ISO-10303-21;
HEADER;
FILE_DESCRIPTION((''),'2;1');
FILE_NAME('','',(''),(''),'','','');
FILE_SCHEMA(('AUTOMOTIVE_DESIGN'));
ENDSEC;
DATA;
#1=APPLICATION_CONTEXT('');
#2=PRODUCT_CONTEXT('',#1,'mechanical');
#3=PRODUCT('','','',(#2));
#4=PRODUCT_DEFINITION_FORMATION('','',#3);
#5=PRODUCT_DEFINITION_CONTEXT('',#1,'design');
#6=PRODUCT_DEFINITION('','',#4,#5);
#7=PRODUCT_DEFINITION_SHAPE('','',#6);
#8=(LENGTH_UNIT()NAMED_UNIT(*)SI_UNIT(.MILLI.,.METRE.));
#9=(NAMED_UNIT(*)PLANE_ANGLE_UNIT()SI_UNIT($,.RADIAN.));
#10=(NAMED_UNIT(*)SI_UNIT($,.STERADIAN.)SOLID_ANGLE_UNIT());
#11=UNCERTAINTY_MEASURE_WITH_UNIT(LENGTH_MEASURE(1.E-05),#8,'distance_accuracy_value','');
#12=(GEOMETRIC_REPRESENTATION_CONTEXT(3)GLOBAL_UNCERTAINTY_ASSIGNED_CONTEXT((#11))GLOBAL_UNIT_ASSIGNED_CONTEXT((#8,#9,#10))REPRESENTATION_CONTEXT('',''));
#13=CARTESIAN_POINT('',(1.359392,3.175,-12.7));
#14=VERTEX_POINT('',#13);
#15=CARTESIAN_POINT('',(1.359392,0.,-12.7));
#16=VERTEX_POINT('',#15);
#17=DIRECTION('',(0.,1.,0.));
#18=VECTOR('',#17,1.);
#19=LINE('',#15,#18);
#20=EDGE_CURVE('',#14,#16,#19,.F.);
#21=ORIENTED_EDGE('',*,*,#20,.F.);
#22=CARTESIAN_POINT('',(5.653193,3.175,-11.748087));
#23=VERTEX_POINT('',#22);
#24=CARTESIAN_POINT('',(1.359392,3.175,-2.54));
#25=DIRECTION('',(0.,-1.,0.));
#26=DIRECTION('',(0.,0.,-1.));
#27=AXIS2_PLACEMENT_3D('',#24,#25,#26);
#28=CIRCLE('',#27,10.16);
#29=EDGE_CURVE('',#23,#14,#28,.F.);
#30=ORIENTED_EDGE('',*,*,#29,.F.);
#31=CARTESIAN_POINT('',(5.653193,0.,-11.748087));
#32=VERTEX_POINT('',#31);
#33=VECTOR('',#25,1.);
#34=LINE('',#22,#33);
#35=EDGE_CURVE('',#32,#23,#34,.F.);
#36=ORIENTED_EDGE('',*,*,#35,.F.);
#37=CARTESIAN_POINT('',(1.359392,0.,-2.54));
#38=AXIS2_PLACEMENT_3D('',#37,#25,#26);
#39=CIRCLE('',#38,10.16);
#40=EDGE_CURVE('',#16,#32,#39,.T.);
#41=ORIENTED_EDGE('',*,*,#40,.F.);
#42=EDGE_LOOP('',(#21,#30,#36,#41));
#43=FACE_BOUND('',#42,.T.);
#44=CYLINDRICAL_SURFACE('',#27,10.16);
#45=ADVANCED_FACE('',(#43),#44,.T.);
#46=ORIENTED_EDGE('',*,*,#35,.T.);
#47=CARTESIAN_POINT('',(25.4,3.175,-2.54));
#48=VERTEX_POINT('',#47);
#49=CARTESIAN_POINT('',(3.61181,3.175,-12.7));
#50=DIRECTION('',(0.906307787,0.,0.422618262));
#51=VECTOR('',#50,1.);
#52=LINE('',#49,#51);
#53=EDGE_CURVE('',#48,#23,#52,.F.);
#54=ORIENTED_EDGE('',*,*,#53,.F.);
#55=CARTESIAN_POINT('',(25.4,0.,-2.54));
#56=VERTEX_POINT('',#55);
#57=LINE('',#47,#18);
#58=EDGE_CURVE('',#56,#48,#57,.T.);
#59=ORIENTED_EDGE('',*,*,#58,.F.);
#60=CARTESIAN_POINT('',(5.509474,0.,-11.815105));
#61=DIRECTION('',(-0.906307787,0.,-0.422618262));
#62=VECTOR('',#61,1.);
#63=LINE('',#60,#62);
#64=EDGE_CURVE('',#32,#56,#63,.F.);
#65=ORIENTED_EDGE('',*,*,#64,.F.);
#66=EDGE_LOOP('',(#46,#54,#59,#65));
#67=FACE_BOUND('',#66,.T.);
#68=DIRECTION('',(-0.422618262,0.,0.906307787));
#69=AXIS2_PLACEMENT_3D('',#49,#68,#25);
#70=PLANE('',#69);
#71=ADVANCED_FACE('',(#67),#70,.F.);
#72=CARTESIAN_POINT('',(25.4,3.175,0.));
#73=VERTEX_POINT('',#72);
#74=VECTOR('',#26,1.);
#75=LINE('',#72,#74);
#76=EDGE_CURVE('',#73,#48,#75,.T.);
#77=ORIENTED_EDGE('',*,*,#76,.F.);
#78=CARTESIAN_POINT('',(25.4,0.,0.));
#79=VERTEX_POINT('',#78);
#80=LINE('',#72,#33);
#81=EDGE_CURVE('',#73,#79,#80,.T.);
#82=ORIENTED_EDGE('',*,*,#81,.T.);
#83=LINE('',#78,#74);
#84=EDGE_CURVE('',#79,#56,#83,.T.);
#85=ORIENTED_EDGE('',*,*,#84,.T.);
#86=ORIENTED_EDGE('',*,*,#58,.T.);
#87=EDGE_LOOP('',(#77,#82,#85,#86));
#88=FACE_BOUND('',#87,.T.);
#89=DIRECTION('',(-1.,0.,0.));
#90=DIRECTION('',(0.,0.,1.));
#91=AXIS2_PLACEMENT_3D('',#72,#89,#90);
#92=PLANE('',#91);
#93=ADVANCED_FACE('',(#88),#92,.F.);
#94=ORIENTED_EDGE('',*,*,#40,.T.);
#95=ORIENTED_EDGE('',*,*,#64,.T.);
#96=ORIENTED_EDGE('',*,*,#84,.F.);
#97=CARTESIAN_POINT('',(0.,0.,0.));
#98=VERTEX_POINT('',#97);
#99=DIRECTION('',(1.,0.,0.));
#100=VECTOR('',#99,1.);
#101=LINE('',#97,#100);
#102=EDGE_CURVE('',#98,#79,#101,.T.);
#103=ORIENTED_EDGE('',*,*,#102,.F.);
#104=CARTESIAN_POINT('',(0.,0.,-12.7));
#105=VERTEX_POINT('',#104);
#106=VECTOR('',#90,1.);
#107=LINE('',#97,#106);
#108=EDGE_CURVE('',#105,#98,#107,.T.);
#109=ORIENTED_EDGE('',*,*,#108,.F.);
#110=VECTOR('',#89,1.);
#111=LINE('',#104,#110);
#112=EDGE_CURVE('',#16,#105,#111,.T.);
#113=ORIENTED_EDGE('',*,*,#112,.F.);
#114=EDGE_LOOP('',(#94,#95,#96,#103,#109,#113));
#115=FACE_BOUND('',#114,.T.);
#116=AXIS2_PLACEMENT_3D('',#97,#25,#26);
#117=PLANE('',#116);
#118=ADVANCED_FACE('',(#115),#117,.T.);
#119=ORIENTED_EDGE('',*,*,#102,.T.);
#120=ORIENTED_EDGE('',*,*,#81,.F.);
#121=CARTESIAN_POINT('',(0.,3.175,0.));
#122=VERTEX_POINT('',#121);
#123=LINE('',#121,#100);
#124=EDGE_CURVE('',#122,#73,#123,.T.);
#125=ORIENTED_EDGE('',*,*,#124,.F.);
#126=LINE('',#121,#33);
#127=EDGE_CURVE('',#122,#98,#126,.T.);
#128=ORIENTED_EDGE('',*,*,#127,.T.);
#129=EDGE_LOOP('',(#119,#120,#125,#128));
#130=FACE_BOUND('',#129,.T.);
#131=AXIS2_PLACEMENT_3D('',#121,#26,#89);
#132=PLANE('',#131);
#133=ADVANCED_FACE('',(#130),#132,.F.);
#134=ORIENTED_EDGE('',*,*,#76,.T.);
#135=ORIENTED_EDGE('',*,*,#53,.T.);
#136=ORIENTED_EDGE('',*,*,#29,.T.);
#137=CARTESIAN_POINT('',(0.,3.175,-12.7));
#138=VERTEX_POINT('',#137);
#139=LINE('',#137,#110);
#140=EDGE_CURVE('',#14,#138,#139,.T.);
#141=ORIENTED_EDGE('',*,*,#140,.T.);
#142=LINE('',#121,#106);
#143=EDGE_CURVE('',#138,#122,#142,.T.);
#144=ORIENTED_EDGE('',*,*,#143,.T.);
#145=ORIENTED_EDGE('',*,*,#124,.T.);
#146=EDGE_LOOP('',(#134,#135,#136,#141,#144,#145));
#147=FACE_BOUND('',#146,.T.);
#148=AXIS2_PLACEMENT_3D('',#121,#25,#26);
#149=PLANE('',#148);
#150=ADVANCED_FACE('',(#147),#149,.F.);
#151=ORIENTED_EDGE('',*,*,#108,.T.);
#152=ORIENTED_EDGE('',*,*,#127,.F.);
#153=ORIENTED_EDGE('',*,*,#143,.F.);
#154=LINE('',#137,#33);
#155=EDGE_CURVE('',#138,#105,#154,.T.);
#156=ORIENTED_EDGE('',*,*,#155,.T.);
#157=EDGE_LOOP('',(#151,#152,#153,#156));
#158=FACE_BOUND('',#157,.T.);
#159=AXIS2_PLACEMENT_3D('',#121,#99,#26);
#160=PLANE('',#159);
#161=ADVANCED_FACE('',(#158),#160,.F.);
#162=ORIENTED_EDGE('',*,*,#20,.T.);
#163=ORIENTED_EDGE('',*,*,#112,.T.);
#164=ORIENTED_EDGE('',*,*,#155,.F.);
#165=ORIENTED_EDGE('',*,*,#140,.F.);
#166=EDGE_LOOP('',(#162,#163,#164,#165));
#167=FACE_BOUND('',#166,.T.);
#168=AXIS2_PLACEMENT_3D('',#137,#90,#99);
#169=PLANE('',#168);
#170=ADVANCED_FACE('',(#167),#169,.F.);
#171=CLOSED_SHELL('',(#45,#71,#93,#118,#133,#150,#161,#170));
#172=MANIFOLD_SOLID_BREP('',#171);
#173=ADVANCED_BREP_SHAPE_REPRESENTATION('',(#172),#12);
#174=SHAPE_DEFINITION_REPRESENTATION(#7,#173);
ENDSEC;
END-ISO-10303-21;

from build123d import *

# Parameters (mm, degrees)
SKETCH1_W           = 25.4
SKETCH1_H           = 12.7
BOSS_EXTRUDE1_DEPTH = 3.175
CHAMFER1_SIZE       = 10.16
CHAMFER1_SIZE2      = 21.788190312
FILLET1_R           = 10.16


with BuildPart() as part:
    # Sketch1 → Boss-Extrude1 (new body)
    with BuildSketch(Plane(origin=(0, 0, 0), x_dir=(1, 0, 0), z_dir=(0, 1, 0))):
        with Locations((12.7, 6.35)):
            Rectangle(SKETCH1_W, SKETCH1_H)
    extrude(amount=BOSS_EXTRUDE1_DEPTH)

    # Chamfer1
    chamfer1_edges = [part.edges().sort_by_distance(p)[0] for p in [
        (25.4, 1.5875, -12.7),
    ]]
    chamfer1_side = [part.faces().sort_by_distance(p)[0] for p in [
        (25.4, 1.5875, -6.35),
    ]]
    chamfer(chamfer1_edges, length=CHAMFER1_SIZE, length2=CHAMFER1_SIZE2, reference=chamfer1_side[0])

    # Fillet1
    fillet1_edges = [part.edges().sort_by_distance(p)[0] for p in [
        (3.611809688, 1.5875, -12.7),
    ]]
    fillet(fillet1_edges, radius=FILLET1_R)


solid = part.part
